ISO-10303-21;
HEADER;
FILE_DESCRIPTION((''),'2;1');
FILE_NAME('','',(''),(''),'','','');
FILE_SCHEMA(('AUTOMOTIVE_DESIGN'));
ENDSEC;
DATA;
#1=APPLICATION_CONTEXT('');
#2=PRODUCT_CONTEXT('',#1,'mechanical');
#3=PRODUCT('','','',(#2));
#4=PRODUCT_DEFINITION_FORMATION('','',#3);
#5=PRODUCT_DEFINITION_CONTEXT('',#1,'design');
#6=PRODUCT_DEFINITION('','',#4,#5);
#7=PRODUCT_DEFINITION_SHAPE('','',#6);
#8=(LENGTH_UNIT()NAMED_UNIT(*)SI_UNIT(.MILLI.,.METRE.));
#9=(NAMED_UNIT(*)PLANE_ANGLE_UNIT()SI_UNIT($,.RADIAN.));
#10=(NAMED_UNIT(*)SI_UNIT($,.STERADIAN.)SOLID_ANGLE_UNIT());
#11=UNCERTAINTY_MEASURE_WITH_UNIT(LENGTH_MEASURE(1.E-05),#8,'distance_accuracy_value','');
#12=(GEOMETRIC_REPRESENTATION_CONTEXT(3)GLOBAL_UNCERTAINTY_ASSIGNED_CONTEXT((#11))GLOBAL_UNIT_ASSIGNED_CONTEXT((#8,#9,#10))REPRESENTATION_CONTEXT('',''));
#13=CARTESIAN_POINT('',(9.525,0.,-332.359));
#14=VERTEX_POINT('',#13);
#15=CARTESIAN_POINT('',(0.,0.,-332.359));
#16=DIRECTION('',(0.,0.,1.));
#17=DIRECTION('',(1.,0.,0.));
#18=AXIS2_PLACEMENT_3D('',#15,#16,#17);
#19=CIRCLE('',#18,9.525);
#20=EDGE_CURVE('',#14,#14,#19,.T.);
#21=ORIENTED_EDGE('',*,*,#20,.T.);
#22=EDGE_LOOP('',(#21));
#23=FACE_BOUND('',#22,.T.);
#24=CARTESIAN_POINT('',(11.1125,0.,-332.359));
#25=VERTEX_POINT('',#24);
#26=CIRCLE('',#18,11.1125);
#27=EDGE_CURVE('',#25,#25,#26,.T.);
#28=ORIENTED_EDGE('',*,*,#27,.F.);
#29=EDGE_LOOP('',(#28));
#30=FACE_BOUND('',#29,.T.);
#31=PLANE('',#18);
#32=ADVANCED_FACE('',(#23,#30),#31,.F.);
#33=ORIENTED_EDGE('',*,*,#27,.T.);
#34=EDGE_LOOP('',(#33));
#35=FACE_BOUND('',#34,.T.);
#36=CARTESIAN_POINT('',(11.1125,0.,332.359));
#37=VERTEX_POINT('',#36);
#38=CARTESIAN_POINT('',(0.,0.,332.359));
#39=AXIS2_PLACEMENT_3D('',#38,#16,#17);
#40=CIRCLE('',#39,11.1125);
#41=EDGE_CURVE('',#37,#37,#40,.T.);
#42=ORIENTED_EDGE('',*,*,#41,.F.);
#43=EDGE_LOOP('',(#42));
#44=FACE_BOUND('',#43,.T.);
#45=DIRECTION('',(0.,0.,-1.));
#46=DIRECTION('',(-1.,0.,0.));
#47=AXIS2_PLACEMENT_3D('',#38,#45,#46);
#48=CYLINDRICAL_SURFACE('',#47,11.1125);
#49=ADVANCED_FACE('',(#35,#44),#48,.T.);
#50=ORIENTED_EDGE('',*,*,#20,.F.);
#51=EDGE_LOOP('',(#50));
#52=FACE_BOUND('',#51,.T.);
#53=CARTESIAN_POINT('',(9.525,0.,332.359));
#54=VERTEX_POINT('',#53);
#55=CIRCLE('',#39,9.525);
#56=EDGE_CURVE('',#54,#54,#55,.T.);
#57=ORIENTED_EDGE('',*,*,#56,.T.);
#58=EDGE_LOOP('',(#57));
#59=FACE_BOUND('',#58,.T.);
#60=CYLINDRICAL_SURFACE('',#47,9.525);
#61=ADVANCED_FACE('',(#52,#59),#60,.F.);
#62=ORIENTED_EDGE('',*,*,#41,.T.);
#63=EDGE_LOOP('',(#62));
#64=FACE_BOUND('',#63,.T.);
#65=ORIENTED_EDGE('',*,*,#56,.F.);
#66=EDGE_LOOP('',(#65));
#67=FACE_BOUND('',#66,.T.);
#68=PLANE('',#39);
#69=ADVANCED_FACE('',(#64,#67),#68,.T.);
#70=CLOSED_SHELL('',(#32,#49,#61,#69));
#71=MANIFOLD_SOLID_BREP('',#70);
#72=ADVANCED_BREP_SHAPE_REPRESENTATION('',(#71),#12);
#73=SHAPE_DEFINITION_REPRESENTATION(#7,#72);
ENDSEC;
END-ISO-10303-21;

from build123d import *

# Parameters (mm, degrees)
SKETCH1_R           = 11.1125
SKETCH1_R_2         = 9.525
BOSS_EXTRUDE1_DEPTH = 332.359


with BuildPart() as part:
    # Sketch1 → Boss-Extrude1 (new body, symmetric)
    with BuildSketch(Plane.XY):
        Circle(SKETCH1_R)
        Circle(SKETCH1_R_2, mode=Mode.SUBTRACT)
    extrude(amount=BOSS_EXTRUDE1_DEPTH, both=True)


solid = part.part
